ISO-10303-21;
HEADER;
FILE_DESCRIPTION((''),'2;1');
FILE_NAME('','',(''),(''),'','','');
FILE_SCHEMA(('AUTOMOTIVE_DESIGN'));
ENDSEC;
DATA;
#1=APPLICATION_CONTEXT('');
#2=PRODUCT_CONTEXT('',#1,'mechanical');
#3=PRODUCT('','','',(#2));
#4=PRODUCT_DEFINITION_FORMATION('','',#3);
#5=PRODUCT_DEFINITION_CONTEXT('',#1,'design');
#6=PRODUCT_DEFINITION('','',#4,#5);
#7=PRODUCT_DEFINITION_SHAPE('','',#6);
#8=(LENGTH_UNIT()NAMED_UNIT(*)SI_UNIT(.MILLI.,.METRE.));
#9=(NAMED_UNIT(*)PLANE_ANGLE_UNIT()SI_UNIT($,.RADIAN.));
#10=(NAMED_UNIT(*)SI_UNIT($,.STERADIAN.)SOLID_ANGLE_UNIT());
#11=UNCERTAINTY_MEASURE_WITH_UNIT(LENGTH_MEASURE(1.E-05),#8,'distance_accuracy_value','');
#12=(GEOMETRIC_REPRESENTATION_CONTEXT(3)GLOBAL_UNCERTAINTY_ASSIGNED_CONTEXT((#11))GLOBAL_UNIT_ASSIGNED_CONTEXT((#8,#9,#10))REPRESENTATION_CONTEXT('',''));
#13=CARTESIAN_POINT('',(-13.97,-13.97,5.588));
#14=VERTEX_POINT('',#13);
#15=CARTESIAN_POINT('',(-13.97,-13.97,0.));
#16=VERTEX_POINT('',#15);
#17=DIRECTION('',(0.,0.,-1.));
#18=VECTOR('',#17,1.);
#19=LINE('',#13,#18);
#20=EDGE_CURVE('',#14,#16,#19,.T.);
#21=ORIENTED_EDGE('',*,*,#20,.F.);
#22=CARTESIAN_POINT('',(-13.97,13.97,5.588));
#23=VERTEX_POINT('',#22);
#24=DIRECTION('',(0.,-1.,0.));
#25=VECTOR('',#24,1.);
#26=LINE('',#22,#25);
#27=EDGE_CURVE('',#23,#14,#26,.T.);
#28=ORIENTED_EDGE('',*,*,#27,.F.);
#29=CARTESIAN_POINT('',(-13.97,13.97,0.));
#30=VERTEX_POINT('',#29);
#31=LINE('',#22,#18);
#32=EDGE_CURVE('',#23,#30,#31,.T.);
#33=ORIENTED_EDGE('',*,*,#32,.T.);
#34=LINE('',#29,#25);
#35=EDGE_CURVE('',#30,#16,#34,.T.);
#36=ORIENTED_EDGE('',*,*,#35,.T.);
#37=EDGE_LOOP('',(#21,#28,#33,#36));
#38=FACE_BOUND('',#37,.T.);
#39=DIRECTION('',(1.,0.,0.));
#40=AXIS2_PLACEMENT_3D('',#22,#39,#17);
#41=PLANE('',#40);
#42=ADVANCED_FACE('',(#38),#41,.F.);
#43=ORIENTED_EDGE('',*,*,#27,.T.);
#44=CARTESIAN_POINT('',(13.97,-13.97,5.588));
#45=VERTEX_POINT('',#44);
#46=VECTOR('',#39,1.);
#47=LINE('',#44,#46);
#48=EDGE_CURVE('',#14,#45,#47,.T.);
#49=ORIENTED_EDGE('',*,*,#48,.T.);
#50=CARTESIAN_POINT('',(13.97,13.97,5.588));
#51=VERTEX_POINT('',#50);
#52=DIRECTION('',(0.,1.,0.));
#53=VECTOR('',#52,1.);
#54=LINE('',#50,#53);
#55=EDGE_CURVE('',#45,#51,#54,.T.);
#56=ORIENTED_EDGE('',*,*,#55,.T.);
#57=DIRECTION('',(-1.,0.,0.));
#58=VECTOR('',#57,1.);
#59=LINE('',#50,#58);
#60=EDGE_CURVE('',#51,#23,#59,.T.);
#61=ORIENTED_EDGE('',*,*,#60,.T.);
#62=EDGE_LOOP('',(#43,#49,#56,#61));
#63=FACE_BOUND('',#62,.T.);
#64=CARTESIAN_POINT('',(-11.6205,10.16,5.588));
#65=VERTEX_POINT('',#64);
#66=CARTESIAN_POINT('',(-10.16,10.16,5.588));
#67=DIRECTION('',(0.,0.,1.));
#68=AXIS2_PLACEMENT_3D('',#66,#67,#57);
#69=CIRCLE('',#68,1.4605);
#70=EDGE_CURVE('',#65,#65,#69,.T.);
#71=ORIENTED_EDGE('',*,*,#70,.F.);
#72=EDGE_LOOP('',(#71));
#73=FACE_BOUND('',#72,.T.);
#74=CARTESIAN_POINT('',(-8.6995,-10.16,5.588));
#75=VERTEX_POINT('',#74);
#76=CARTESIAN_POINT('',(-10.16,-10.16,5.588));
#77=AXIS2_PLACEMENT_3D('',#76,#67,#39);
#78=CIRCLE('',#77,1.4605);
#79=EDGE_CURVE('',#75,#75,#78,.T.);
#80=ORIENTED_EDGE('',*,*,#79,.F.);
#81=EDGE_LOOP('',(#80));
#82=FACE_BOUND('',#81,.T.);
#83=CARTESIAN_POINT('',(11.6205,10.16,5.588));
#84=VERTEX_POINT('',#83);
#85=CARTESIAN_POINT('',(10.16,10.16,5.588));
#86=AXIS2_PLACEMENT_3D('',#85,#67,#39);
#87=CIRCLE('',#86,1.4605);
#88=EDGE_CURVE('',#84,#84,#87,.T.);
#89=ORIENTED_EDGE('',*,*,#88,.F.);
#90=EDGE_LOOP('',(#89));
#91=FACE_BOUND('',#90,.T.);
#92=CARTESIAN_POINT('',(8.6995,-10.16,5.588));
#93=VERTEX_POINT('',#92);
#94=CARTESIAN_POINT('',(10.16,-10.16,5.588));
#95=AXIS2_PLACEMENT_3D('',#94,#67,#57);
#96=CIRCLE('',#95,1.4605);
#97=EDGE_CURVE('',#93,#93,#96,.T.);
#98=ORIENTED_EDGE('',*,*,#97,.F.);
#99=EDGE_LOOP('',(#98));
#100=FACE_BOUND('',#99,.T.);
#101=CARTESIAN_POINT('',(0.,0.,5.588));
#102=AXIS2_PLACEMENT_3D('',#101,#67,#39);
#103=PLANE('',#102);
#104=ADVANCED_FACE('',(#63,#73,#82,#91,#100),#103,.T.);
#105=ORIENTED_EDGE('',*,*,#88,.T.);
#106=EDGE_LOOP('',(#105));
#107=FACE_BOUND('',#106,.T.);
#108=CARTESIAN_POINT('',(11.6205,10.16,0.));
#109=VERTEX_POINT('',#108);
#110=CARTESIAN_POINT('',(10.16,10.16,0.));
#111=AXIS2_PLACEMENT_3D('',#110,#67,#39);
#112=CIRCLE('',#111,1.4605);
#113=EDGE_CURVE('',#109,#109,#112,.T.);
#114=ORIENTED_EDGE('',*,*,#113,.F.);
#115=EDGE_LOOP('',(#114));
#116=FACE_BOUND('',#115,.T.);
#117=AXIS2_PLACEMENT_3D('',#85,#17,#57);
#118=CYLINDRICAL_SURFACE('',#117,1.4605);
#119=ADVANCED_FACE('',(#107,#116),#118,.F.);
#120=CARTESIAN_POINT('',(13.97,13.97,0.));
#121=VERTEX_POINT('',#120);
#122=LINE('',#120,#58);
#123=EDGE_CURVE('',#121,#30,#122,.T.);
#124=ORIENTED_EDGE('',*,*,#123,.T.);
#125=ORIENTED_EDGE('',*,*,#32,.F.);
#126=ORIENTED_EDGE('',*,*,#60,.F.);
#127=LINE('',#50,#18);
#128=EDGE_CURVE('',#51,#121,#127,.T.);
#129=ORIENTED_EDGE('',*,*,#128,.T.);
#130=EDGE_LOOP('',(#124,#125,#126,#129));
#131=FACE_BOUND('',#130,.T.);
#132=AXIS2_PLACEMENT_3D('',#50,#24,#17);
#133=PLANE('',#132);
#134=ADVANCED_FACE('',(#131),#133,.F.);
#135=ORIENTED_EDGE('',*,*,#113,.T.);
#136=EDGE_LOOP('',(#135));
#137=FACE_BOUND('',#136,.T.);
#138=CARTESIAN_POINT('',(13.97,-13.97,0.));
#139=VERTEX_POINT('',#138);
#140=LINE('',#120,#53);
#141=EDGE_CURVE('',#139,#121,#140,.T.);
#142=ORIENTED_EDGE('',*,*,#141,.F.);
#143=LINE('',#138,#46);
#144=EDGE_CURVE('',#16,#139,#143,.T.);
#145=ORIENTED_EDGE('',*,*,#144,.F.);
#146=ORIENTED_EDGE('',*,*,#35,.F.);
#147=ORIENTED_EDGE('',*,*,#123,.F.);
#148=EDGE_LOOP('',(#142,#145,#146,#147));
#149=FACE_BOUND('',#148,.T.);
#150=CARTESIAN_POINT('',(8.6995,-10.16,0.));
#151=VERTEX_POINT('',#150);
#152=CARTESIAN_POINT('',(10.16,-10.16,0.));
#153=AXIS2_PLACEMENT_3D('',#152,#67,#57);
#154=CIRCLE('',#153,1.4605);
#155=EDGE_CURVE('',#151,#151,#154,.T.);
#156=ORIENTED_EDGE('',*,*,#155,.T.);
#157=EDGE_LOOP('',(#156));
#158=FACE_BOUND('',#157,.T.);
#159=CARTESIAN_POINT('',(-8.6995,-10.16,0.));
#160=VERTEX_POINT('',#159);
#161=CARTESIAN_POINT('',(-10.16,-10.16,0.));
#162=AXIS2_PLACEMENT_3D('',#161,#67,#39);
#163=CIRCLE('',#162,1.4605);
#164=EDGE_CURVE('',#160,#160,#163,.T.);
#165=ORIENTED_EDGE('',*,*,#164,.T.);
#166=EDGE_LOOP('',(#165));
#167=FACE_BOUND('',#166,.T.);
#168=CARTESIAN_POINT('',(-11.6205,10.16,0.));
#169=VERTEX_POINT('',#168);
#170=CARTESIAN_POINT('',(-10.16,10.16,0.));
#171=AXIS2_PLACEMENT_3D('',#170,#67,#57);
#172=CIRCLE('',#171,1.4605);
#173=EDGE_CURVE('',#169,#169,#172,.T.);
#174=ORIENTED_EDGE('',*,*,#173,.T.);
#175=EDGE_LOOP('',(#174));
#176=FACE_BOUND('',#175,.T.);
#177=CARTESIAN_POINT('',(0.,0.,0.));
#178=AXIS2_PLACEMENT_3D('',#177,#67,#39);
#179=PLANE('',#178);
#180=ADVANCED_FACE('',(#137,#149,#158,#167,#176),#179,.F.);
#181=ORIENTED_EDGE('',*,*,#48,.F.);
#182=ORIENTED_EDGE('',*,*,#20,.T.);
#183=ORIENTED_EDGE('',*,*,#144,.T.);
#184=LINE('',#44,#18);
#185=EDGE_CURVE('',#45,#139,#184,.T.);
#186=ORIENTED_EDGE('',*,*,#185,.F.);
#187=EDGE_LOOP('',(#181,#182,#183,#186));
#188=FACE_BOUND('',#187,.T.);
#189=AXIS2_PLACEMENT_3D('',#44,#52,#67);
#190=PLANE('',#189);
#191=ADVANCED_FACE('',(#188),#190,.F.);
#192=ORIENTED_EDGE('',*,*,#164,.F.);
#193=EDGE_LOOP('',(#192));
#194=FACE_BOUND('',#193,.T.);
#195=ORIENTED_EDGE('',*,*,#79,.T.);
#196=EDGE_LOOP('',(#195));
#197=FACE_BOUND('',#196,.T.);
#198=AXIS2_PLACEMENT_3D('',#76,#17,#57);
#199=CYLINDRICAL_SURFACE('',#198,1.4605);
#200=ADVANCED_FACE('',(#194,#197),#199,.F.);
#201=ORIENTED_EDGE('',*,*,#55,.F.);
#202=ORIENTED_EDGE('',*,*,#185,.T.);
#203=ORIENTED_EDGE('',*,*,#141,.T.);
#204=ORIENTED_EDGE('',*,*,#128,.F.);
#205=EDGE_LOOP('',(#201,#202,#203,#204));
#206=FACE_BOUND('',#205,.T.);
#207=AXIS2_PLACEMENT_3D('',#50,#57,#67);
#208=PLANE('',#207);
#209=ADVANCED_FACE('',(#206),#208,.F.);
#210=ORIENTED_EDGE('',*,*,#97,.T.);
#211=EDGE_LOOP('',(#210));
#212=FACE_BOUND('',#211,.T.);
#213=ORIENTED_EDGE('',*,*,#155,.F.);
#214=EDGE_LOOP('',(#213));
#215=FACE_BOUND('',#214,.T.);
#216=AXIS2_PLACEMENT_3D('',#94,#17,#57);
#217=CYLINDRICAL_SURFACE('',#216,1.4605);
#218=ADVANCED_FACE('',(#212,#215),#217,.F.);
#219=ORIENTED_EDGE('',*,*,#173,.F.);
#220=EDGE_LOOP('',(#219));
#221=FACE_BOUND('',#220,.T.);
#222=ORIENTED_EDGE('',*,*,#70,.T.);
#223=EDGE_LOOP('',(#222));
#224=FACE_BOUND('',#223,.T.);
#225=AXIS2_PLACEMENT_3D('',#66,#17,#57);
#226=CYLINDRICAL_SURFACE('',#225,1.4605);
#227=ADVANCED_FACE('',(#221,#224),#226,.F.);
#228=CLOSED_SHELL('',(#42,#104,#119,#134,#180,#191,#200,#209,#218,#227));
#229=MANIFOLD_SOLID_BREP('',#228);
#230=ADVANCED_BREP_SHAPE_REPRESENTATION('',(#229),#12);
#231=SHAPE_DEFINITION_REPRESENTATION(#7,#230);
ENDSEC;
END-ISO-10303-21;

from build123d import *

# Parameters (mm, degrees)
SKETCH1_W           = 27.94
SKETCH1_H           = 27.94
SKETCH1_R           = 1.4605
BOSS_EXTRUDE1_DEPTH = 5.588


with BuildPart() as part:
    # Sketch1 → Boss-Extrude1 (new body)
    with BuildSketch(Plane(origin=(0, 0, 0), x_dir=(0, 1, 0), z_dir=(0, 0, 1))):
        Rectangle(SKETCH1_W, SKETCH1_H)
        with Locations(Location((-10.16, 10.16, 0), (0, 0, 270))):
            Circle(SKETCH1_R, mode=Mode.SUBTRACT)
        with Locations(Location((10.16, 10.16, 0), (0, 0, 90))):
            Circle(SKETCH1_R, mode=Mode.SUBTRACT)
        with Locations(Location((-10.16, -10.16, 0), (0, 0, 90))):
            Circle(SKETCH1_R, mode=Mode.SUBTRACT)
        with Locations(Location((10.16, -10.16, 0), (0, 0, 270))):
            Circle(SKETCH1_R, mode=Mode.SUBTRACT)
    extrude(amount=BOSS_EXTRUDE1_DEPTH)


solid = part.part
